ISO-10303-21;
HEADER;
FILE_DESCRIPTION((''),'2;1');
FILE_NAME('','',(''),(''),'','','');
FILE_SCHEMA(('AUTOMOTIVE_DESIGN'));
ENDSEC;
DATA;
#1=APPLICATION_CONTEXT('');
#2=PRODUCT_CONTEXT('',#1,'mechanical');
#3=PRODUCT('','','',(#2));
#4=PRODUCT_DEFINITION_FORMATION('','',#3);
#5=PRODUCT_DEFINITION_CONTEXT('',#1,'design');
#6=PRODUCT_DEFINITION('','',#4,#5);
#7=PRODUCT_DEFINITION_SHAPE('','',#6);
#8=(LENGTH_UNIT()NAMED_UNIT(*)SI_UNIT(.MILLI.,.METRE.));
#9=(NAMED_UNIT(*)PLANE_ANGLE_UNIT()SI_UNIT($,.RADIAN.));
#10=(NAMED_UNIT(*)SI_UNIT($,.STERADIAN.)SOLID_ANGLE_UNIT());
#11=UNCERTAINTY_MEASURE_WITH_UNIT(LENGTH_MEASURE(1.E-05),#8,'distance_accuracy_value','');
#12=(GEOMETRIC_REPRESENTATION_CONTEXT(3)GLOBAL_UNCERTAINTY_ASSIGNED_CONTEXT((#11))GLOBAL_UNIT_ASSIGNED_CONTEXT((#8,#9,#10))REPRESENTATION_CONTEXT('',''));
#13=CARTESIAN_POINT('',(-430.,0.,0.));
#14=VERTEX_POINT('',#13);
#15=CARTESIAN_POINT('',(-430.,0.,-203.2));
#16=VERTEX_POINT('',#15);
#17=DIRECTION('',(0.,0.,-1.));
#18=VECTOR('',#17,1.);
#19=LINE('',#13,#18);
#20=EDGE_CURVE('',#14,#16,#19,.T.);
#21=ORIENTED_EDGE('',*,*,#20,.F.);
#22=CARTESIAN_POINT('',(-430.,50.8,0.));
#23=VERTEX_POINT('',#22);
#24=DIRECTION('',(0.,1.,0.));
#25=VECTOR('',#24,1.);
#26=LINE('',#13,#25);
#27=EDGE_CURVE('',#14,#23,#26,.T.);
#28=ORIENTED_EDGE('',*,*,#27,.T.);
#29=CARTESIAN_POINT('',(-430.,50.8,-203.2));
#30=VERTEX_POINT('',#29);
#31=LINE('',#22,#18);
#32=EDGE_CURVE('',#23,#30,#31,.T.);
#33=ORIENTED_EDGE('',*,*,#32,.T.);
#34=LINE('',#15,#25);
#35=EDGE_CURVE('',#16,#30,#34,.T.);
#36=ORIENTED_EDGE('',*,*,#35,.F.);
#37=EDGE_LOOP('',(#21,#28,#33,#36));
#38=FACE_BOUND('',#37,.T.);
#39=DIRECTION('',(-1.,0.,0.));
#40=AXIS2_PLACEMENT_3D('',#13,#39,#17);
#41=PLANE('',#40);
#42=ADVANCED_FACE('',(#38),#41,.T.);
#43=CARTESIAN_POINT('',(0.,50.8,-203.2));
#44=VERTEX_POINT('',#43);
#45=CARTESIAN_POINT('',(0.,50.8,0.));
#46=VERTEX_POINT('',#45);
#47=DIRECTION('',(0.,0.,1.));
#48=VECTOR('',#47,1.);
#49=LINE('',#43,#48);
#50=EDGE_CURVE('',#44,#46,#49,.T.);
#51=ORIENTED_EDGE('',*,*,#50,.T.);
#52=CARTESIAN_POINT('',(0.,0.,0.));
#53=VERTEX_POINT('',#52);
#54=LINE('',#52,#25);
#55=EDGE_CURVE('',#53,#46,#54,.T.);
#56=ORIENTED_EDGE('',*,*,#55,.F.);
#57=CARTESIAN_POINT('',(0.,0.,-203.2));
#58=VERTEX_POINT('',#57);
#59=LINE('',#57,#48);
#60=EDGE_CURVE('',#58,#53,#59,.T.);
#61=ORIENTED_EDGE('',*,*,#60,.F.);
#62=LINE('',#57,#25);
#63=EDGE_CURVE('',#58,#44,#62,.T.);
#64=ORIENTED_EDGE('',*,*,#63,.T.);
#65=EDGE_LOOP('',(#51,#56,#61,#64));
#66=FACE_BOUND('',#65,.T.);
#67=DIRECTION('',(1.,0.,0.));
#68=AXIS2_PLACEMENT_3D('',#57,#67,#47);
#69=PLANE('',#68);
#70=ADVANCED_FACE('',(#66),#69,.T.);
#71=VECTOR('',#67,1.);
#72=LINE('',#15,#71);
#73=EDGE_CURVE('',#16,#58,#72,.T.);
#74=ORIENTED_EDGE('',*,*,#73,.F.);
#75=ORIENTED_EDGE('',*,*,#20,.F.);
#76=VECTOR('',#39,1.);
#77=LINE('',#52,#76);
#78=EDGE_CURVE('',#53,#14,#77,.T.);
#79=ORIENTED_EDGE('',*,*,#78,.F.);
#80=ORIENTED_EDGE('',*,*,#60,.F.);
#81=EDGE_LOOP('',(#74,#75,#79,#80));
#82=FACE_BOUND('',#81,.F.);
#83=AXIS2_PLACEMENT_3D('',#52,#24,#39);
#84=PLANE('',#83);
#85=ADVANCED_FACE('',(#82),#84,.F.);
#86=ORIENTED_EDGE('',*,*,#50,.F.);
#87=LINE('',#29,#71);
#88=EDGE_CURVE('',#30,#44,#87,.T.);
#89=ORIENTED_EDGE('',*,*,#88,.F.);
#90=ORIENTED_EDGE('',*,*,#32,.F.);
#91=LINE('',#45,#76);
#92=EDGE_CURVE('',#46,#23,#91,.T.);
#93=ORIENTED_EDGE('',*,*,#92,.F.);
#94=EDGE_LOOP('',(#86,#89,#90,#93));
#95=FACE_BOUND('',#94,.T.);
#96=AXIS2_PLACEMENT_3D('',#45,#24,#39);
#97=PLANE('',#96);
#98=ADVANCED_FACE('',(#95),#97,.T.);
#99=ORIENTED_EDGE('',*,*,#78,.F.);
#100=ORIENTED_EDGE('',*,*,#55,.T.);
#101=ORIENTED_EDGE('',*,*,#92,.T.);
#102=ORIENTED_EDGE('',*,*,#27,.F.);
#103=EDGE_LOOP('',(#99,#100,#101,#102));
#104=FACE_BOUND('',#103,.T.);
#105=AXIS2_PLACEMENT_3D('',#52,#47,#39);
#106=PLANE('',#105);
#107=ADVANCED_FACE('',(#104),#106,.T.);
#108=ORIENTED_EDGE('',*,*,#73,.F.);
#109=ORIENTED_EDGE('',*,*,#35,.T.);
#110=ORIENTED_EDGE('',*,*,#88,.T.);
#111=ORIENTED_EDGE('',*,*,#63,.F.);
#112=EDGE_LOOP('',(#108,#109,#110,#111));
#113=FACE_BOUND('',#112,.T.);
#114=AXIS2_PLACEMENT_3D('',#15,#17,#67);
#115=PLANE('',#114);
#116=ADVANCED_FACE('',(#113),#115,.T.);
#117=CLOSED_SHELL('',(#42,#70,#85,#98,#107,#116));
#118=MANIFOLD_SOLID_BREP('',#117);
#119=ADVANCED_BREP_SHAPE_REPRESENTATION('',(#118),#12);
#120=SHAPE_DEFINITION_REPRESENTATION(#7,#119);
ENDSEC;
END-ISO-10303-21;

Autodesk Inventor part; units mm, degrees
ref_plane "YZ Plane" through (0, 0, 0) normal (1, 0, 0) x (0, 1, 0)
ref_plane "XZ Plane" through (0, 0, 0) normal (0, 1, 0) x (-1, 0, 0)
ref_plane "XY Plane" through (0, 0, 0) normal (0, 0, 1) x (1, 0, 0)
sketch "Sketch1" plane through (0, 0, 0) normal (0, 1, 0) x (-1, 0, 0)
  line L0 (0, 0) -> (430, 0)
  line L1 (430, 0) -> (430, -203.2)
  line L2 (430, -203.2) -> (0, -203.2)
  line L3 (0, -203.2) -> (0, 0)
  dimension "d0" = 430
  dimension "d1" = 203.2
extrude "Extrusion1" add sketch "Sketch1" along normal blind 50.8
properties part number "Piso"
